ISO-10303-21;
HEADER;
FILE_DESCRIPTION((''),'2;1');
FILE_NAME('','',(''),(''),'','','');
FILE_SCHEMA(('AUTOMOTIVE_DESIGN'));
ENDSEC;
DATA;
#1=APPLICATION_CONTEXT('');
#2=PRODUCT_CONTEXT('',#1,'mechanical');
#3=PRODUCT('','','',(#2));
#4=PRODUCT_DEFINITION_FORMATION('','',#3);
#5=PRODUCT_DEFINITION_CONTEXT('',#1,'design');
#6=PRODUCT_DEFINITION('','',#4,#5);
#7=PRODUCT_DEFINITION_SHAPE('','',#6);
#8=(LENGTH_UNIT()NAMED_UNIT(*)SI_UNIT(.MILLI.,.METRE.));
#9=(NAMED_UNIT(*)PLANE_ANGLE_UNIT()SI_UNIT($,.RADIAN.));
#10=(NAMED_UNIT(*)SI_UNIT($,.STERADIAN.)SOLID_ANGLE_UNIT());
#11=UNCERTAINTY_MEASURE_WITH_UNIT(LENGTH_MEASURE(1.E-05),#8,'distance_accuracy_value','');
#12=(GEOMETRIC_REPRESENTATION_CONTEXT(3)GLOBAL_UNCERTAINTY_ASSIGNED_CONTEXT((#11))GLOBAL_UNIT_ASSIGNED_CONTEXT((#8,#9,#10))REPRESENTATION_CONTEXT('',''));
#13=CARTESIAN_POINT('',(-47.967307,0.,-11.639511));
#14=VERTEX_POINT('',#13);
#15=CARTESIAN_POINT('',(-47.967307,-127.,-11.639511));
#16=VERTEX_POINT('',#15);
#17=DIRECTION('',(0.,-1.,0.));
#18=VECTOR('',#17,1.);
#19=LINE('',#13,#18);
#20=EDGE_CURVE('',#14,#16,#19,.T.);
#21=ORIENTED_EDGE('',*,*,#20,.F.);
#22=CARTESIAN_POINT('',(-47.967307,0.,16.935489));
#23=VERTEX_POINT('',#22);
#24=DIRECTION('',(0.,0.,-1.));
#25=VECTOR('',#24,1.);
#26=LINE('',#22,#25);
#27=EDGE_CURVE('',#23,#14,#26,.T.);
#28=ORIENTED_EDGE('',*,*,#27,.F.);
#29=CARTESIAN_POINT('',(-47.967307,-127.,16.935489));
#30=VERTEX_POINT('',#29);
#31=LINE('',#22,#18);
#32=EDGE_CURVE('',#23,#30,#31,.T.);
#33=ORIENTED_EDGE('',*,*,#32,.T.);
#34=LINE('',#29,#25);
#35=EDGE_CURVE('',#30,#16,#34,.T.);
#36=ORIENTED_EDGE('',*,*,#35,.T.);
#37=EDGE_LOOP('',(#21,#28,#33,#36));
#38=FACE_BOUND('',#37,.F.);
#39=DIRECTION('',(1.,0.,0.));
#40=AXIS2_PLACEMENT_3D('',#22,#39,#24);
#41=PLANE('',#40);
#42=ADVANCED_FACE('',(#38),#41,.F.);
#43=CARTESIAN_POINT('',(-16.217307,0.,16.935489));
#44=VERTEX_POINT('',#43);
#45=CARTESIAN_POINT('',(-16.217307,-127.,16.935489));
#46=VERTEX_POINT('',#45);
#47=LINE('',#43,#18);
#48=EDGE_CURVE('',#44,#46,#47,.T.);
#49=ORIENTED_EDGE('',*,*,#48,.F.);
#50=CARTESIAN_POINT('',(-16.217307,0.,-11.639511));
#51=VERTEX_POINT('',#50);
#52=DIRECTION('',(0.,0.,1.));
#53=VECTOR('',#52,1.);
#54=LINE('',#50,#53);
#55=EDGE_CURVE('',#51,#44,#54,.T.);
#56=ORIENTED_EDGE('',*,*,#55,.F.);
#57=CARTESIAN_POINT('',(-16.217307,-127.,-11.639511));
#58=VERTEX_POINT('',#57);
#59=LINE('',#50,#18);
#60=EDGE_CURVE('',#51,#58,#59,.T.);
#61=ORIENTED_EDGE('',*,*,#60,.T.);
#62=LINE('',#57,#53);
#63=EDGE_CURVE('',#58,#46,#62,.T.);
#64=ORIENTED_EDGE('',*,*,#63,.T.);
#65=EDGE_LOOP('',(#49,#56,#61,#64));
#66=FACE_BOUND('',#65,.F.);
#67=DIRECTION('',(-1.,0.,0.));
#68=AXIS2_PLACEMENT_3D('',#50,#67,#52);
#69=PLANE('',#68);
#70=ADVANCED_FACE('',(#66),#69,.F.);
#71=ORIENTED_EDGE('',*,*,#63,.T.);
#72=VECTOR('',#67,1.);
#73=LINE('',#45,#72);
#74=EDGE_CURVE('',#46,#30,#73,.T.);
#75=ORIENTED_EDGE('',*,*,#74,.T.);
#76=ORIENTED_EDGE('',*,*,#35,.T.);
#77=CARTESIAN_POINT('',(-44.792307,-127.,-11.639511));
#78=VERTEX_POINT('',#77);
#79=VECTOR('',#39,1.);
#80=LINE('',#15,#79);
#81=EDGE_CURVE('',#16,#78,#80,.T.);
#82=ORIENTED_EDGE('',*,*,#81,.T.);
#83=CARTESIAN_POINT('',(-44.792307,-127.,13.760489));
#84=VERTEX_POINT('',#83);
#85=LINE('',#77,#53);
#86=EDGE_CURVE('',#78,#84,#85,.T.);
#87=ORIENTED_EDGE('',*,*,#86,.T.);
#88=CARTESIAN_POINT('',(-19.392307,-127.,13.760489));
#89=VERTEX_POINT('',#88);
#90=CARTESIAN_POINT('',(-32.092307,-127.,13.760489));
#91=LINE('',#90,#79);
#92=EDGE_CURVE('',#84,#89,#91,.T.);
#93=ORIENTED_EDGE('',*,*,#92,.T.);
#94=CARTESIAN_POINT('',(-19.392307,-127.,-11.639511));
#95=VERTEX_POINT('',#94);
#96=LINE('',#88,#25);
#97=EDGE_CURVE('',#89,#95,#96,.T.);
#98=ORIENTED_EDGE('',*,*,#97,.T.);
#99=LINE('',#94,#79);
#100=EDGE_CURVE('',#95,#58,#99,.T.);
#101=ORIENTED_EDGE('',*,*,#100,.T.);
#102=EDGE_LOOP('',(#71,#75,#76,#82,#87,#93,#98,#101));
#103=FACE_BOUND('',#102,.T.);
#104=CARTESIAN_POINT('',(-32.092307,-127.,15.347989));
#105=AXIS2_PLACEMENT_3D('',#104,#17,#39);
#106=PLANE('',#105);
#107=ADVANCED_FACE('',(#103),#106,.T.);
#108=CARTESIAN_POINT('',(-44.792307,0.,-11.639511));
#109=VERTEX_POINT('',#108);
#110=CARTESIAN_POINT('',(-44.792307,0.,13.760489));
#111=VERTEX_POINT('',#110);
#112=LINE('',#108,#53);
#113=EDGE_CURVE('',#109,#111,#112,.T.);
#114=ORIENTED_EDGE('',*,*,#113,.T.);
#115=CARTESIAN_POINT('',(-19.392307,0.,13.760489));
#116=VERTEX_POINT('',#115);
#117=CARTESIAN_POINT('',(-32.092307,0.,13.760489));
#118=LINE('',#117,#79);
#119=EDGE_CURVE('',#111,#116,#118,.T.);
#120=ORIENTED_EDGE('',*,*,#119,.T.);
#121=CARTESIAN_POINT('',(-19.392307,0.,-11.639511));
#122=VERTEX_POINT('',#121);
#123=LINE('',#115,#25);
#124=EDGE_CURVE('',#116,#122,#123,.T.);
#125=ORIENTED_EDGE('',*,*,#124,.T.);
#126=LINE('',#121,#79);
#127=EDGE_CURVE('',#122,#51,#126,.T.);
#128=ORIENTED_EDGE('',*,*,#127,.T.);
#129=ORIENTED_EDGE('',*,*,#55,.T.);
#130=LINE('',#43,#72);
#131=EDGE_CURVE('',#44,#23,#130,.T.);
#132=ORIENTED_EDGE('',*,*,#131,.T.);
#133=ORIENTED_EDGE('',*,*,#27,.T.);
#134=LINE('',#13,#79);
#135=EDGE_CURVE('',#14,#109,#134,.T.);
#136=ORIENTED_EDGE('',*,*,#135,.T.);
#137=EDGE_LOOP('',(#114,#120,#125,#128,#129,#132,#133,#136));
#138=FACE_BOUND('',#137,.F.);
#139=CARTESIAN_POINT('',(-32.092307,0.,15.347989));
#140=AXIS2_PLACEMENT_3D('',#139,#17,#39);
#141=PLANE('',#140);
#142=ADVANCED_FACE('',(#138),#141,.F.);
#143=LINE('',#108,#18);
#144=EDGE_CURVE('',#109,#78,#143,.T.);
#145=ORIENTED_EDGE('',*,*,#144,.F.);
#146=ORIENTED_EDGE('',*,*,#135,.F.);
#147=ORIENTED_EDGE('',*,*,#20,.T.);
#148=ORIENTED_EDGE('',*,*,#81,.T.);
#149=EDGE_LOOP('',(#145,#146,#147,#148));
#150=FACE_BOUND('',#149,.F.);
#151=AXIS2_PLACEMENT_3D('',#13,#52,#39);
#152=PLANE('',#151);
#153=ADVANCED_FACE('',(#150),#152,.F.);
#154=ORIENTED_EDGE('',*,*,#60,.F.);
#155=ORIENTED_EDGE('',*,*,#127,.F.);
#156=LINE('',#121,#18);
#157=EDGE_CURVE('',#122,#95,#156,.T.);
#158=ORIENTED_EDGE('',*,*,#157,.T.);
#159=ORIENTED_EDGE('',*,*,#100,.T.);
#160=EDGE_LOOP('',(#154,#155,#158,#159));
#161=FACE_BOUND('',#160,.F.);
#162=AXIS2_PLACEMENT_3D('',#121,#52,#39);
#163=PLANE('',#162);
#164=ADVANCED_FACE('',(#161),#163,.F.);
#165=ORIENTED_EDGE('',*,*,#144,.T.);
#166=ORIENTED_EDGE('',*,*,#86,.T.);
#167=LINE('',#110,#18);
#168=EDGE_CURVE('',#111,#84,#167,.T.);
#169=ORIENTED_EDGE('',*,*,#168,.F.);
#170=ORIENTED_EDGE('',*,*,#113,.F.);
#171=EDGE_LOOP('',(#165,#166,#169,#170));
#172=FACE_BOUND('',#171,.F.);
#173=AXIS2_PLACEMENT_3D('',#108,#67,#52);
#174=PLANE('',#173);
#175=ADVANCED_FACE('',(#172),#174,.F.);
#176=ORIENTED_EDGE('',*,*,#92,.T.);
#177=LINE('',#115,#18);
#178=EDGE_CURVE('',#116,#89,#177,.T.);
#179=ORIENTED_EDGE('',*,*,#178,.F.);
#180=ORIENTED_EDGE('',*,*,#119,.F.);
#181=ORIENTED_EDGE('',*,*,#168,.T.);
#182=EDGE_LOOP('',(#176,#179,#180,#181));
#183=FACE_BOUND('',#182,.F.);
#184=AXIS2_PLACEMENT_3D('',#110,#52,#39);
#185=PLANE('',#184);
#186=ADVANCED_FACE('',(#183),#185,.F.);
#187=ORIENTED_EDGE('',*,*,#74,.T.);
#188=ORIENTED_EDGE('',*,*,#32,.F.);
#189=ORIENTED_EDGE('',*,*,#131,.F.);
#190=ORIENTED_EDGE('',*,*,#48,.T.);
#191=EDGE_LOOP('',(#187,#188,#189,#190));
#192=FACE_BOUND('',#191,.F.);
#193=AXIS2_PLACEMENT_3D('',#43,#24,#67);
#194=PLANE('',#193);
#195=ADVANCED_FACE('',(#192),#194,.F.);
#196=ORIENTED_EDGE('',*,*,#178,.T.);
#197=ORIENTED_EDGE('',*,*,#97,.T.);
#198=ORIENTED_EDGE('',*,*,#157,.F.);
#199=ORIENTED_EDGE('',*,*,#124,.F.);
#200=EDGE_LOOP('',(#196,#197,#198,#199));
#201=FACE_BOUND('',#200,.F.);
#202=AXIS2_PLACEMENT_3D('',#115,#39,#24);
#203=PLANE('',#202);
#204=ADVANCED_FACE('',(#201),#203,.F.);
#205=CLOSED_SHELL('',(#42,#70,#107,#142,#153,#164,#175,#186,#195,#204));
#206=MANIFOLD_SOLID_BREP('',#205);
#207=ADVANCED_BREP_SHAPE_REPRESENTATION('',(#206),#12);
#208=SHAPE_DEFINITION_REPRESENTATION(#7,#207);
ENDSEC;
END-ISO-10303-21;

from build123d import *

# Parameters (mm, degrees)
F0_W     = 25.4
F0_H     = 3.175
F1_DEPTH = 127


with BuildPart() as f1:
    # F0 (on Front) → F1 (new body)
    with BuildSketch(Plane.XZ):
        with Locations((-32.092307, 15.347989)):
            Rectangle(F0_W, F0_H)
        Polygon((-44.792307, 13.760489), (-44.792307, 16.935489), (-47.967307, 16.935489), (-47.967307, -11.639511), (-44.792307, -11.639511), align=None)
        Polygon((-16.217307, 16.935489), (-19.392307, 16.935489), (-19.392307, 13.760489), (-19.392307, -11.639511), (-16.217307, -11.639511), align=None)
    extrude(amount=F1_DEPTH)


solid = f1.part
